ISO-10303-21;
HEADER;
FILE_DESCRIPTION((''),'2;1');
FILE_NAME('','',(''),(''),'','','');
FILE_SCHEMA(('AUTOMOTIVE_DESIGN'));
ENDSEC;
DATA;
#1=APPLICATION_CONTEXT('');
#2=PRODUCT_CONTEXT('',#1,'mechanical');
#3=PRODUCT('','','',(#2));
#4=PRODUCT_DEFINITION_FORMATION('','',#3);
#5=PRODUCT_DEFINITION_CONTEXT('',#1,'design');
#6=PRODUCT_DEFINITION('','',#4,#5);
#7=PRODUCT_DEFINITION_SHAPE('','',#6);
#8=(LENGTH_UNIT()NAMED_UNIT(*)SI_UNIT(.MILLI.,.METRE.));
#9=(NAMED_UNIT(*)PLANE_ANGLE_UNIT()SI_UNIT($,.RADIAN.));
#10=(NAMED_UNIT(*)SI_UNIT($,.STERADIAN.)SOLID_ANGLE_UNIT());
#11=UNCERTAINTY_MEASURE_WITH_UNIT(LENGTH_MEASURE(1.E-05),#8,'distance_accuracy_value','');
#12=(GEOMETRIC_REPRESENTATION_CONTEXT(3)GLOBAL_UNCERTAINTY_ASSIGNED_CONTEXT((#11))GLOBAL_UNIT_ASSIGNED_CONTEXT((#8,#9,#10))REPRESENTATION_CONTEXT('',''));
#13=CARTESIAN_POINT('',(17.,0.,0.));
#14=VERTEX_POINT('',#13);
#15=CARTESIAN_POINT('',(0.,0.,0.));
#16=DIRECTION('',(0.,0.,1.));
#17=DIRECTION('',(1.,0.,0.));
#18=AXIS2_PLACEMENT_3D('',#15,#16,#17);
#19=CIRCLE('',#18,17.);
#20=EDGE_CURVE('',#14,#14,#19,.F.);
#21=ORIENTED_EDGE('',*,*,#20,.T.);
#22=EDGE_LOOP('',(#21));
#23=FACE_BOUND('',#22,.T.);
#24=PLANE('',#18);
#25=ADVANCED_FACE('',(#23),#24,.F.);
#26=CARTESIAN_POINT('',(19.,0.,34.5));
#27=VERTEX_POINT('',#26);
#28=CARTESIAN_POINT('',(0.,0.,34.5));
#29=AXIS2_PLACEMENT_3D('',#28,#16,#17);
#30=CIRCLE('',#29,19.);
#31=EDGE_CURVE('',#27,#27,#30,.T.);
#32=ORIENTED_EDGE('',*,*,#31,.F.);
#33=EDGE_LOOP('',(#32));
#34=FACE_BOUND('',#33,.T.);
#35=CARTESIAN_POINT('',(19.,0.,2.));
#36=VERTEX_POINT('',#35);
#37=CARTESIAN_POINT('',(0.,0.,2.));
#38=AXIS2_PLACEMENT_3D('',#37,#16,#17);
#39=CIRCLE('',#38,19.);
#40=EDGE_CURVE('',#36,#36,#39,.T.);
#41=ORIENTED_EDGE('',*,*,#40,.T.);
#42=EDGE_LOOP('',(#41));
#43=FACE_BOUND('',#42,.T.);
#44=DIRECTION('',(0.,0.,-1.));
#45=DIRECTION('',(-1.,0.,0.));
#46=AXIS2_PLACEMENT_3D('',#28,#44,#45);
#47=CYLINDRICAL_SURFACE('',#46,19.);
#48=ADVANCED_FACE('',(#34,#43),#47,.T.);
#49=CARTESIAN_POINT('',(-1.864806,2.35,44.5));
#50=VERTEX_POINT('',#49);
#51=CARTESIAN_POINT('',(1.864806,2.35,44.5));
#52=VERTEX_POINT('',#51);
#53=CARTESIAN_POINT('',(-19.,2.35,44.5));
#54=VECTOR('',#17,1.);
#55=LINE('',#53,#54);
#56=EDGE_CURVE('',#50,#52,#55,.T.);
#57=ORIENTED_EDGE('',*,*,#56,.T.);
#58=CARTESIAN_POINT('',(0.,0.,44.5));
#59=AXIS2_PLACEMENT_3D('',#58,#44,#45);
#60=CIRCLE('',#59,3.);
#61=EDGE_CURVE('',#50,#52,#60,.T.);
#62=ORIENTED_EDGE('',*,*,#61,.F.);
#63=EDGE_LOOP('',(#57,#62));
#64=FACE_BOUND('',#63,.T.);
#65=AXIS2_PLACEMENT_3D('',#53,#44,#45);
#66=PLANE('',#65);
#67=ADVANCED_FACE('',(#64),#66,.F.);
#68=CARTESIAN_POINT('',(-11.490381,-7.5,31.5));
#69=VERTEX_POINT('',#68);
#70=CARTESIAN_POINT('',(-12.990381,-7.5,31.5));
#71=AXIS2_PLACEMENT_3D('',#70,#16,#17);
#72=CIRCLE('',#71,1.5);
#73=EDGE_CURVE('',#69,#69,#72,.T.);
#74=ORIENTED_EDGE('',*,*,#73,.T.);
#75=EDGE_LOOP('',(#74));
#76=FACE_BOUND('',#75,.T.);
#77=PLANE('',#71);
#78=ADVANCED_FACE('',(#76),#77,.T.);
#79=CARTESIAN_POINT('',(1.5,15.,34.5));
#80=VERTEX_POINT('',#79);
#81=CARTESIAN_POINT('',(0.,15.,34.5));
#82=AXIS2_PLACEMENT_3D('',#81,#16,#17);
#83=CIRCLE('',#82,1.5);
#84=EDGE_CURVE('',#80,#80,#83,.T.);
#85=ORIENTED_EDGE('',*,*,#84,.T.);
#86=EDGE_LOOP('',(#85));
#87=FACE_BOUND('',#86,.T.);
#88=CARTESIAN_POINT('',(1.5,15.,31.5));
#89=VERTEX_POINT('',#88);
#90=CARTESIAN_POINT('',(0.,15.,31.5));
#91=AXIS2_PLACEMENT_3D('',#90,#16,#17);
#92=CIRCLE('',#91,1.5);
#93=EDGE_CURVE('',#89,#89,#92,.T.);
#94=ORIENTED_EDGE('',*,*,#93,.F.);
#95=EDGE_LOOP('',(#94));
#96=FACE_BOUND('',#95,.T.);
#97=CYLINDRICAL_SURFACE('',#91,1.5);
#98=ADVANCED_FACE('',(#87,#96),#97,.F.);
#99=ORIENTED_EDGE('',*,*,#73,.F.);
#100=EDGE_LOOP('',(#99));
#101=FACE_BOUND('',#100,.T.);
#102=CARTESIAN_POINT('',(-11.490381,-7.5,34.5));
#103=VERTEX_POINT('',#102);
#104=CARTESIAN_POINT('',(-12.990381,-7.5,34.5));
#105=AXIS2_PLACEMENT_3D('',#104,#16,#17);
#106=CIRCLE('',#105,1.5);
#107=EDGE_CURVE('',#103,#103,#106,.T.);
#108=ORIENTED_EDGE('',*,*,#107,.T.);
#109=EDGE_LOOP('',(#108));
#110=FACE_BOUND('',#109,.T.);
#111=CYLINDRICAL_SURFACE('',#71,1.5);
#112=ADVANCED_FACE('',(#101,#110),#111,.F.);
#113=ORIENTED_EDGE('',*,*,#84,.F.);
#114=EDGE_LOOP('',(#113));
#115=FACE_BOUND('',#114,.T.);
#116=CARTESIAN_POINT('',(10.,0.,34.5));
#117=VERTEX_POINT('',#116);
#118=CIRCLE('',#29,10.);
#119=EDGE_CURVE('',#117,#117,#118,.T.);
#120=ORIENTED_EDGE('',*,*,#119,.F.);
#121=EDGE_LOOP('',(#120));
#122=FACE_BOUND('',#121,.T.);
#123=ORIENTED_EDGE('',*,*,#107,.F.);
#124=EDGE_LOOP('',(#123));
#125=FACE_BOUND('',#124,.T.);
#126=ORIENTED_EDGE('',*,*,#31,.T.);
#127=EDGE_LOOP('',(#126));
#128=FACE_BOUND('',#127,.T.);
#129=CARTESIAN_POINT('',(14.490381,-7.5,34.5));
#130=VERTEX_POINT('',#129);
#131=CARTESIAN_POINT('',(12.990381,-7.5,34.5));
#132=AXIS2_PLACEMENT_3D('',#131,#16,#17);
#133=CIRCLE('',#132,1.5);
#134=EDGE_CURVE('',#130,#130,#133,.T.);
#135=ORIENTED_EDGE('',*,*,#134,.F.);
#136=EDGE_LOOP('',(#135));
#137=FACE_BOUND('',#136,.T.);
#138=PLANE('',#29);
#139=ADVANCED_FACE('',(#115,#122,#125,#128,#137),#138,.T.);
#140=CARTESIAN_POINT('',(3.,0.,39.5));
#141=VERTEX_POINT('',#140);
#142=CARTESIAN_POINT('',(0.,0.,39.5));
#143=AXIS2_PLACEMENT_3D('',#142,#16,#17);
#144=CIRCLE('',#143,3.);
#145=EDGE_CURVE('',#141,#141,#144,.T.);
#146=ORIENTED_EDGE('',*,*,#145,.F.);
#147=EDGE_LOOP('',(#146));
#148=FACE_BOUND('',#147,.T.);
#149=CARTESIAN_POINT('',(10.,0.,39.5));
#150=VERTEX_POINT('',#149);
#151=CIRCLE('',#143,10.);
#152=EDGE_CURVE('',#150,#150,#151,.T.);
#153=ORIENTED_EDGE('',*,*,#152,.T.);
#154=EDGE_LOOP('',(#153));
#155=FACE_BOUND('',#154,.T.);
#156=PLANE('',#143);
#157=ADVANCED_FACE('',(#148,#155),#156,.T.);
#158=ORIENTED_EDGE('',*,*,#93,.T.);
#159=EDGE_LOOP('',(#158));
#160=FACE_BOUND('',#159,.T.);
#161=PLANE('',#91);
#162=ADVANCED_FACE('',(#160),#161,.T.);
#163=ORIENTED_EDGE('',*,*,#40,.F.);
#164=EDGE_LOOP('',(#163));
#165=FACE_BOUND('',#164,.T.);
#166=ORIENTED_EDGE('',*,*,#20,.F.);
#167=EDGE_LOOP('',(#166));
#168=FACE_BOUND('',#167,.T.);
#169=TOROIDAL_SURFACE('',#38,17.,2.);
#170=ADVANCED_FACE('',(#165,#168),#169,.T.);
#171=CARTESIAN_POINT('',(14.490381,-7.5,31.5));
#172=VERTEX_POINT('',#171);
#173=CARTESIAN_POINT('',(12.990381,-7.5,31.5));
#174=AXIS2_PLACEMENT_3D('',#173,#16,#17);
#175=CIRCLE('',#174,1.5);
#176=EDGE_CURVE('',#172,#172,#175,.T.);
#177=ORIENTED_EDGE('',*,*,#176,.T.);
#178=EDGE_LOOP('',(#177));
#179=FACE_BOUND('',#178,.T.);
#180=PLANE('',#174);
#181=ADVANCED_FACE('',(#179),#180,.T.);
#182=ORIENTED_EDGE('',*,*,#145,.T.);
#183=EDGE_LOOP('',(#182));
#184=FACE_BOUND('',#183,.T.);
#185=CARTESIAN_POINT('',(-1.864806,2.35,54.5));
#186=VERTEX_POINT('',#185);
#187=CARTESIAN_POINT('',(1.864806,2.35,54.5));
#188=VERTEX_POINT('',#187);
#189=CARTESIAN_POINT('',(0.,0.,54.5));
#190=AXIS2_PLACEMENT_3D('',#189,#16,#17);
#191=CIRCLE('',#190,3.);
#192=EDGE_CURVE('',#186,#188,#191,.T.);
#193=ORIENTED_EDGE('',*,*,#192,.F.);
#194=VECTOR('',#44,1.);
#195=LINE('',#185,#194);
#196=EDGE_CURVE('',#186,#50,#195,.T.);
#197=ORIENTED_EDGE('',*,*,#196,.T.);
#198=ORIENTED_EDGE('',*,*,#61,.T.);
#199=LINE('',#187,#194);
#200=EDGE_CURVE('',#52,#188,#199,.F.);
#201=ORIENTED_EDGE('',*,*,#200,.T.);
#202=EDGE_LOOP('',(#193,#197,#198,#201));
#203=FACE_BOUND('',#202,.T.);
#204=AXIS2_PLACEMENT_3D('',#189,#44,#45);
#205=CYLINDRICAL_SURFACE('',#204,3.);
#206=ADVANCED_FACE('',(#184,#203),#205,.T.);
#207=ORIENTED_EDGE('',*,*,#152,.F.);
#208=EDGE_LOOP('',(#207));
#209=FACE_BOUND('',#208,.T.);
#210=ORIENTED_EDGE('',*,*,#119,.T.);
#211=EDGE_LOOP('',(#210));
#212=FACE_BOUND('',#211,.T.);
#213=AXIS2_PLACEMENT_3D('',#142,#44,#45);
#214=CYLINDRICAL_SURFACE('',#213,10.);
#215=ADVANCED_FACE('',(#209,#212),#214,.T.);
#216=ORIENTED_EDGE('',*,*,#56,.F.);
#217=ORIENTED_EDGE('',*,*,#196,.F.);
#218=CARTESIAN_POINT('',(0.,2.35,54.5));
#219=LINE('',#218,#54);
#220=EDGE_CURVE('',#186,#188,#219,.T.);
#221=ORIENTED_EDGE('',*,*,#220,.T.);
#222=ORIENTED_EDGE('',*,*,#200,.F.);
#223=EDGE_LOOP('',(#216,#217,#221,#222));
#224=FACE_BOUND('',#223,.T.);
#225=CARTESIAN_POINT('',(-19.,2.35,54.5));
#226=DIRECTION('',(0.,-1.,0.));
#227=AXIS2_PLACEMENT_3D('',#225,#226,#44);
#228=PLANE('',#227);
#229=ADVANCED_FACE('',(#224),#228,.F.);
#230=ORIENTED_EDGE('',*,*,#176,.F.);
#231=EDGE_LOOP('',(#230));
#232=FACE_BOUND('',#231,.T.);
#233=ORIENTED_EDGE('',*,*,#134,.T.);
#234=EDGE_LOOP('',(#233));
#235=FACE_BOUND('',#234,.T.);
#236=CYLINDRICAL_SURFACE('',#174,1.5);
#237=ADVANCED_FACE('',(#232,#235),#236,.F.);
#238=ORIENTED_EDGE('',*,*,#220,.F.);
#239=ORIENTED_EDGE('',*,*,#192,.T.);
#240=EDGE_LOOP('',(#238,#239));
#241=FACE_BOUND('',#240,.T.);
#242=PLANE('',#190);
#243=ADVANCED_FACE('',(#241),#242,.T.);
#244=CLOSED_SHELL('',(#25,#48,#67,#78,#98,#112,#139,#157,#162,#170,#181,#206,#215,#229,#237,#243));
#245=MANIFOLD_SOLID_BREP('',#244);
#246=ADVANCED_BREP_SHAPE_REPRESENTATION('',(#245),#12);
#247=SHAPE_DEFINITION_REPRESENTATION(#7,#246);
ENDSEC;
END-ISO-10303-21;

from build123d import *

# Parameters (mm, degrees)
SKETCH1_R               = 19
BOSS_EXTRUDE1_DEPTH     = 34.5
SKETCH2_R               = 10
BOSS_EXTRUDE2_DEPTH     = 5
SKETCH3_R               = 3
BOSS_EXTRUDE3_DEPTH     = 15
SKETCH4_W               = 10
SKETCH4_H               = 0.65
CUT_EXTRUDE1_DEPTH      = 20
CUT_EXTRUDE1_DEPTH_BACK = 20
FILLET1_R               = 2
SKETCH5_R               = 1.5
CUT_EXTRUDE2_DEPTH      = 3


with BuildPart() as part:
    # Sketch1 → Boss-Extrude1 (new body)
    with BuildSketch(Plane.XY):
        Circle(SKETCH1_R)
    extrude(amount=BOSS_EXTRUDE1_DEPTH)

    # Sketch2 → Boss-Extrude2 (add)
    with BuildSketch(Plane.XY.offset(34.5)):
        Circle(SKETCH2_R)
    extrude(amount=BOSS_EXTRUDE2_DEPTH)

    # Sketch3 → Boss-Extrude3 (add)
    with BuildSketch(Plane.XY.offset(39.5)):
        Circle(SKETCH3_R)
    extrude(amount=BOSS_EXTRUDE3_DEPTH)

    # Sketch4 → Cut-Extrude1 (cut, two sides)
    with BuildSketch(Plane(origin=(0, 0, 0), x_dir=(0, 0, -1), z_dir=(1, 0, 0))) as cut_extrude1_sk:
        with Locations((-49.5, 2.675)):
            Rectangle(SKETCH4_W, SKETCH4_H)
    extrude(amount=CUT_EXTRUDE1_DEPTH, mode=Mode.SUBTRACT)
    extrude(cut_extrude1_sk.sketch, amount=-CUT_EXTRUDE1_DEPTH_BACK, mode=Mode.SUBTRACT)

    # Fillet1
    fillet1_edges = [part.edges().sort_by_distance(p)[0] for p in [
        (-19, 0, 0),
    ]]
    fillet(fillet1_edges, radius=FILLET1_R)

    # Sketch5 → Cut-Extrude2 (cut)
    with BuildSketch(Plane.XY.offset(34.5)):
        with Locations((0, 15)):
            Circle(SKETCH5_R)
        with Locations((12.990381057, -7.5)):
            Circle(SKETCH5_R)
        with Locations((-12.990381057, -7.5)):
            Circle(SKETCH5_R)
    extrude(amount=-CUT_EXTRUDE2_DEPTH, mode=Mode.SUBTRACT)


solid = part.part
